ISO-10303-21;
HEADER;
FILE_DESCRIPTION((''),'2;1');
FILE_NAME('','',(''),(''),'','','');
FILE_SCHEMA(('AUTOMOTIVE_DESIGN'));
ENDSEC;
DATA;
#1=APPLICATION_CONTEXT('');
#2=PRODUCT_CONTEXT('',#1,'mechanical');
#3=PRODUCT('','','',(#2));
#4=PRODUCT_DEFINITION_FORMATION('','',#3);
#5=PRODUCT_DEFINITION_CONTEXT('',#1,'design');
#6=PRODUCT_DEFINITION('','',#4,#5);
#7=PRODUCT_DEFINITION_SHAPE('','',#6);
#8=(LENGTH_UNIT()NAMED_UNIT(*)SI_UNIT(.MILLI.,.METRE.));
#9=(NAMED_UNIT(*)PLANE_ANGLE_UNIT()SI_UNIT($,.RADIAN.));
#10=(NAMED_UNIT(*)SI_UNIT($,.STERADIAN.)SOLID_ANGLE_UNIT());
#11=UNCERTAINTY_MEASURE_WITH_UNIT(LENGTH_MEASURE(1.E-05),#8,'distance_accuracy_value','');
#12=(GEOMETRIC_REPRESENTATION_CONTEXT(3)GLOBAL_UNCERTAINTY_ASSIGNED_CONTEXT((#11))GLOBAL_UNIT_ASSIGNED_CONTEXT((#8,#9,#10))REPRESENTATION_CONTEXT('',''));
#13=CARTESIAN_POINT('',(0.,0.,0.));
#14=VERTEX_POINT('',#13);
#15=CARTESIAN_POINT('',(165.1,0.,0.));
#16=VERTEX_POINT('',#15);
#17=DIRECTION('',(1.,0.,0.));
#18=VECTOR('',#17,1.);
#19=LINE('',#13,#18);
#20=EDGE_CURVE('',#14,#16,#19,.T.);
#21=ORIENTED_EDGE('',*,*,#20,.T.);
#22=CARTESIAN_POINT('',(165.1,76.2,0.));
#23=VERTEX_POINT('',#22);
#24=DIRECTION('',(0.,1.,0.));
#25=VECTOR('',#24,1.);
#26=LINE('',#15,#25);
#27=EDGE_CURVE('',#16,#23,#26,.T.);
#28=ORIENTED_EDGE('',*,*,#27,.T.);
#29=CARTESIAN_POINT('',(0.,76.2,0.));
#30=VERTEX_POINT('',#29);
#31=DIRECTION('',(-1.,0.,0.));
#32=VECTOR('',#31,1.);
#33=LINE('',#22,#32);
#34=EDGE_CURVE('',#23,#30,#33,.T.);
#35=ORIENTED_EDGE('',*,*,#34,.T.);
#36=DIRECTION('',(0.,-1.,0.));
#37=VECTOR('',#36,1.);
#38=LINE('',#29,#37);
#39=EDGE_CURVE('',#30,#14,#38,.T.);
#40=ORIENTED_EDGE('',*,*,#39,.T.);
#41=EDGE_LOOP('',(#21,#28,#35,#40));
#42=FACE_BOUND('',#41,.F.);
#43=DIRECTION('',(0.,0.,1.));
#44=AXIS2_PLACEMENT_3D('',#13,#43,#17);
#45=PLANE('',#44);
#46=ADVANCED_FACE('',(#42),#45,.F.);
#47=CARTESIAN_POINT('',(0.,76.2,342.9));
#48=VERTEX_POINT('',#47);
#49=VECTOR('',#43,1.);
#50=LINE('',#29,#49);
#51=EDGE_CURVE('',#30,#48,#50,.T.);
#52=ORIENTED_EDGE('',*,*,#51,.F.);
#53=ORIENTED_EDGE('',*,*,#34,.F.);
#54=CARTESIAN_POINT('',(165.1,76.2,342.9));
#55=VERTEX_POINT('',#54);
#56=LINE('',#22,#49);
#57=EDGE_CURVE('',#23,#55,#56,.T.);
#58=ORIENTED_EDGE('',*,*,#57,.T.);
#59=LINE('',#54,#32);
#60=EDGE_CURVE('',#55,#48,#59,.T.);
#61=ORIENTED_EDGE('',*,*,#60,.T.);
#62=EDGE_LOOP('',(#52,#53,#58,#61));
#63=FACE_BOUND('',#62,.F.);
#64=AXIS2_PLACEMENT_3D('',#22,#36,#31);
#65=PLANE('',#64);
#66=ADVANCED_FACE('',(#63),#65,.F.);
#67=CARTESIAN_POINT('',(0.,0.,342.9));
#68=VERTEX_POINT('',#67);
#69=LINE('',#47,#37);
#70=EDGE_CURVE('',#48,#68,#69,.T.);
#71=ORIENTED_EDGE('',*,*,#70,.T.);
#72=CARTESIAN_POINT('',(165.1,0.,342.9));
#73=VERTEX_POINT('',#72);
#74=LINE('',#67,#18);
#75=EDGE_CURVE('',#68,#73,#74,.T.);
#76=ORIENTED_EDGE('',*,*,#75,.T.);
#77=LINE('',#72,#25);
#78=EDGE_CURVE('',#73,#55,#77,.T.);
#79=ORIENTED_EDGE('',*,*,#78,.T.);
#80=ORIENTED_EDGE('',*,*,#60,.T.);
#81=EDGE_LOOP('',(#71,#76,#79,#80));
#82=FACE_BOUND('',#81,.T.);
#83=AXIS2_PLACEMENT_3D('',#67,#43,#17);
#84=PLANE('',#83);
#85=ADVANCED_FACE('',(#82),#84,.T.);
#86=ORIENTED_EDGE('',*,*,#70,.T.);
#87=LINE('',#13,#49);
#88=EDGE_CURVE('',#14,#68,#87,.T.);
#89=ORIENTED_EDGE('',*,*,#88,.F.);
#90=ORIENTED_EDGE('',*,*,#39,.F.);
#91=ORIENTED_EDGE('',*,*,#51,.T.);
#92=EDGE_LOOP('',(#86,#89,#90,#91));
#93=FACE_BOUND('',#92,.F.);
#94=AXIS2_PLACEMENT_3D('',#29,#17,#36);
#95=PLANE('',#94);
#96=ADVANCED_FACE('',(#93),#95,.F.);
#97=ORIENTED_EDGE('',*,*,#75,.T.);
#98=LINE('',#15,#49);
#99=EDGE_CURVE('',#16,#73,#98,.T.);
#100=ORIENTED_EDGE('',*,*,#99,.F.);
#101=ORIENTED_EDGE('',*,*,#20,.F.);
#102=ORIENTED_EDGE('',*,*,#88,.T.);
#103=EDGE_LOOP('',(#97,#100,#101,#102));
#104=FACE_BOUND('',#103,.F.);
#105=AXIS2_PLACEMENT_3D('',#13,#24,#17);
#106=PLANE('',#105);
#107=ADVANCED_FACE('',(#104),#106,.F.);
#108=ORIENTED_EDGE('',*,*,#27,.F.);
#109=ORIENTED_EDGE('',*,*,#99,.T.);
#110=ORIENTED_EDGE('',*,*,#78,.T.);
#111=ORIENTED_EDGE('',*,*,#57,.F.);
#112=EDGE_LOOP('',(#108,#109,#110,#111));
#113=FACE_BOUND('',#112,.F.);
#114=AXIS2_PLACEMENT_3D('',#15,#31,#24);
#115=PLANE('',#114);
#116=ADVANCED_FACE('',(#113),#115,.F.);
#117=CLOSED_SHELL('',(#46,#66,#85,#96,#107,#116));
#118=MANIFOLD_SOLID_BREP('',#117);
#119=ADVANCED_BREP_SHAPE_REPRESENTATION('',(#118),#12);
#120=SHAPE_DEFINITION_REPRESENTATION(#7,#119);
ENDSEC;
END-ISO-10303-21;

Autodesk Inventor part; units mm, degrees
ref_plane "YZ Plane" through (0, 0, 0) normal (1, 0, 0) x (0, 1, 0)
ref_plane "XZ Plane" through (0, 0, 0) normal (0, 1, 0) x (-1, 0, 0)
ref_plane "XY Plane" through (0, 0, 0) normal (0, 0, 1) x (1, 0, 0)
sketch "Sketch1" plane through (0, 0, 0) normal (0, 0, 1) x (1, 0, 0)
  line L0 (0, 0) -> (165.1, 0)
  line L1 (165.1, 0) -> (165.1, 76.2)
  line L2 (165.1, 76.2) -> (0, 76.2)
  line L3 (0, 76.2) -> (0, 0)
  dimension "d0" = 76.2
  dimension "d1" = 165.1
extrude "Extrusion1" add sketch "Sketch1" along normal blind 342.9
properties part number "Inverter Standin"
